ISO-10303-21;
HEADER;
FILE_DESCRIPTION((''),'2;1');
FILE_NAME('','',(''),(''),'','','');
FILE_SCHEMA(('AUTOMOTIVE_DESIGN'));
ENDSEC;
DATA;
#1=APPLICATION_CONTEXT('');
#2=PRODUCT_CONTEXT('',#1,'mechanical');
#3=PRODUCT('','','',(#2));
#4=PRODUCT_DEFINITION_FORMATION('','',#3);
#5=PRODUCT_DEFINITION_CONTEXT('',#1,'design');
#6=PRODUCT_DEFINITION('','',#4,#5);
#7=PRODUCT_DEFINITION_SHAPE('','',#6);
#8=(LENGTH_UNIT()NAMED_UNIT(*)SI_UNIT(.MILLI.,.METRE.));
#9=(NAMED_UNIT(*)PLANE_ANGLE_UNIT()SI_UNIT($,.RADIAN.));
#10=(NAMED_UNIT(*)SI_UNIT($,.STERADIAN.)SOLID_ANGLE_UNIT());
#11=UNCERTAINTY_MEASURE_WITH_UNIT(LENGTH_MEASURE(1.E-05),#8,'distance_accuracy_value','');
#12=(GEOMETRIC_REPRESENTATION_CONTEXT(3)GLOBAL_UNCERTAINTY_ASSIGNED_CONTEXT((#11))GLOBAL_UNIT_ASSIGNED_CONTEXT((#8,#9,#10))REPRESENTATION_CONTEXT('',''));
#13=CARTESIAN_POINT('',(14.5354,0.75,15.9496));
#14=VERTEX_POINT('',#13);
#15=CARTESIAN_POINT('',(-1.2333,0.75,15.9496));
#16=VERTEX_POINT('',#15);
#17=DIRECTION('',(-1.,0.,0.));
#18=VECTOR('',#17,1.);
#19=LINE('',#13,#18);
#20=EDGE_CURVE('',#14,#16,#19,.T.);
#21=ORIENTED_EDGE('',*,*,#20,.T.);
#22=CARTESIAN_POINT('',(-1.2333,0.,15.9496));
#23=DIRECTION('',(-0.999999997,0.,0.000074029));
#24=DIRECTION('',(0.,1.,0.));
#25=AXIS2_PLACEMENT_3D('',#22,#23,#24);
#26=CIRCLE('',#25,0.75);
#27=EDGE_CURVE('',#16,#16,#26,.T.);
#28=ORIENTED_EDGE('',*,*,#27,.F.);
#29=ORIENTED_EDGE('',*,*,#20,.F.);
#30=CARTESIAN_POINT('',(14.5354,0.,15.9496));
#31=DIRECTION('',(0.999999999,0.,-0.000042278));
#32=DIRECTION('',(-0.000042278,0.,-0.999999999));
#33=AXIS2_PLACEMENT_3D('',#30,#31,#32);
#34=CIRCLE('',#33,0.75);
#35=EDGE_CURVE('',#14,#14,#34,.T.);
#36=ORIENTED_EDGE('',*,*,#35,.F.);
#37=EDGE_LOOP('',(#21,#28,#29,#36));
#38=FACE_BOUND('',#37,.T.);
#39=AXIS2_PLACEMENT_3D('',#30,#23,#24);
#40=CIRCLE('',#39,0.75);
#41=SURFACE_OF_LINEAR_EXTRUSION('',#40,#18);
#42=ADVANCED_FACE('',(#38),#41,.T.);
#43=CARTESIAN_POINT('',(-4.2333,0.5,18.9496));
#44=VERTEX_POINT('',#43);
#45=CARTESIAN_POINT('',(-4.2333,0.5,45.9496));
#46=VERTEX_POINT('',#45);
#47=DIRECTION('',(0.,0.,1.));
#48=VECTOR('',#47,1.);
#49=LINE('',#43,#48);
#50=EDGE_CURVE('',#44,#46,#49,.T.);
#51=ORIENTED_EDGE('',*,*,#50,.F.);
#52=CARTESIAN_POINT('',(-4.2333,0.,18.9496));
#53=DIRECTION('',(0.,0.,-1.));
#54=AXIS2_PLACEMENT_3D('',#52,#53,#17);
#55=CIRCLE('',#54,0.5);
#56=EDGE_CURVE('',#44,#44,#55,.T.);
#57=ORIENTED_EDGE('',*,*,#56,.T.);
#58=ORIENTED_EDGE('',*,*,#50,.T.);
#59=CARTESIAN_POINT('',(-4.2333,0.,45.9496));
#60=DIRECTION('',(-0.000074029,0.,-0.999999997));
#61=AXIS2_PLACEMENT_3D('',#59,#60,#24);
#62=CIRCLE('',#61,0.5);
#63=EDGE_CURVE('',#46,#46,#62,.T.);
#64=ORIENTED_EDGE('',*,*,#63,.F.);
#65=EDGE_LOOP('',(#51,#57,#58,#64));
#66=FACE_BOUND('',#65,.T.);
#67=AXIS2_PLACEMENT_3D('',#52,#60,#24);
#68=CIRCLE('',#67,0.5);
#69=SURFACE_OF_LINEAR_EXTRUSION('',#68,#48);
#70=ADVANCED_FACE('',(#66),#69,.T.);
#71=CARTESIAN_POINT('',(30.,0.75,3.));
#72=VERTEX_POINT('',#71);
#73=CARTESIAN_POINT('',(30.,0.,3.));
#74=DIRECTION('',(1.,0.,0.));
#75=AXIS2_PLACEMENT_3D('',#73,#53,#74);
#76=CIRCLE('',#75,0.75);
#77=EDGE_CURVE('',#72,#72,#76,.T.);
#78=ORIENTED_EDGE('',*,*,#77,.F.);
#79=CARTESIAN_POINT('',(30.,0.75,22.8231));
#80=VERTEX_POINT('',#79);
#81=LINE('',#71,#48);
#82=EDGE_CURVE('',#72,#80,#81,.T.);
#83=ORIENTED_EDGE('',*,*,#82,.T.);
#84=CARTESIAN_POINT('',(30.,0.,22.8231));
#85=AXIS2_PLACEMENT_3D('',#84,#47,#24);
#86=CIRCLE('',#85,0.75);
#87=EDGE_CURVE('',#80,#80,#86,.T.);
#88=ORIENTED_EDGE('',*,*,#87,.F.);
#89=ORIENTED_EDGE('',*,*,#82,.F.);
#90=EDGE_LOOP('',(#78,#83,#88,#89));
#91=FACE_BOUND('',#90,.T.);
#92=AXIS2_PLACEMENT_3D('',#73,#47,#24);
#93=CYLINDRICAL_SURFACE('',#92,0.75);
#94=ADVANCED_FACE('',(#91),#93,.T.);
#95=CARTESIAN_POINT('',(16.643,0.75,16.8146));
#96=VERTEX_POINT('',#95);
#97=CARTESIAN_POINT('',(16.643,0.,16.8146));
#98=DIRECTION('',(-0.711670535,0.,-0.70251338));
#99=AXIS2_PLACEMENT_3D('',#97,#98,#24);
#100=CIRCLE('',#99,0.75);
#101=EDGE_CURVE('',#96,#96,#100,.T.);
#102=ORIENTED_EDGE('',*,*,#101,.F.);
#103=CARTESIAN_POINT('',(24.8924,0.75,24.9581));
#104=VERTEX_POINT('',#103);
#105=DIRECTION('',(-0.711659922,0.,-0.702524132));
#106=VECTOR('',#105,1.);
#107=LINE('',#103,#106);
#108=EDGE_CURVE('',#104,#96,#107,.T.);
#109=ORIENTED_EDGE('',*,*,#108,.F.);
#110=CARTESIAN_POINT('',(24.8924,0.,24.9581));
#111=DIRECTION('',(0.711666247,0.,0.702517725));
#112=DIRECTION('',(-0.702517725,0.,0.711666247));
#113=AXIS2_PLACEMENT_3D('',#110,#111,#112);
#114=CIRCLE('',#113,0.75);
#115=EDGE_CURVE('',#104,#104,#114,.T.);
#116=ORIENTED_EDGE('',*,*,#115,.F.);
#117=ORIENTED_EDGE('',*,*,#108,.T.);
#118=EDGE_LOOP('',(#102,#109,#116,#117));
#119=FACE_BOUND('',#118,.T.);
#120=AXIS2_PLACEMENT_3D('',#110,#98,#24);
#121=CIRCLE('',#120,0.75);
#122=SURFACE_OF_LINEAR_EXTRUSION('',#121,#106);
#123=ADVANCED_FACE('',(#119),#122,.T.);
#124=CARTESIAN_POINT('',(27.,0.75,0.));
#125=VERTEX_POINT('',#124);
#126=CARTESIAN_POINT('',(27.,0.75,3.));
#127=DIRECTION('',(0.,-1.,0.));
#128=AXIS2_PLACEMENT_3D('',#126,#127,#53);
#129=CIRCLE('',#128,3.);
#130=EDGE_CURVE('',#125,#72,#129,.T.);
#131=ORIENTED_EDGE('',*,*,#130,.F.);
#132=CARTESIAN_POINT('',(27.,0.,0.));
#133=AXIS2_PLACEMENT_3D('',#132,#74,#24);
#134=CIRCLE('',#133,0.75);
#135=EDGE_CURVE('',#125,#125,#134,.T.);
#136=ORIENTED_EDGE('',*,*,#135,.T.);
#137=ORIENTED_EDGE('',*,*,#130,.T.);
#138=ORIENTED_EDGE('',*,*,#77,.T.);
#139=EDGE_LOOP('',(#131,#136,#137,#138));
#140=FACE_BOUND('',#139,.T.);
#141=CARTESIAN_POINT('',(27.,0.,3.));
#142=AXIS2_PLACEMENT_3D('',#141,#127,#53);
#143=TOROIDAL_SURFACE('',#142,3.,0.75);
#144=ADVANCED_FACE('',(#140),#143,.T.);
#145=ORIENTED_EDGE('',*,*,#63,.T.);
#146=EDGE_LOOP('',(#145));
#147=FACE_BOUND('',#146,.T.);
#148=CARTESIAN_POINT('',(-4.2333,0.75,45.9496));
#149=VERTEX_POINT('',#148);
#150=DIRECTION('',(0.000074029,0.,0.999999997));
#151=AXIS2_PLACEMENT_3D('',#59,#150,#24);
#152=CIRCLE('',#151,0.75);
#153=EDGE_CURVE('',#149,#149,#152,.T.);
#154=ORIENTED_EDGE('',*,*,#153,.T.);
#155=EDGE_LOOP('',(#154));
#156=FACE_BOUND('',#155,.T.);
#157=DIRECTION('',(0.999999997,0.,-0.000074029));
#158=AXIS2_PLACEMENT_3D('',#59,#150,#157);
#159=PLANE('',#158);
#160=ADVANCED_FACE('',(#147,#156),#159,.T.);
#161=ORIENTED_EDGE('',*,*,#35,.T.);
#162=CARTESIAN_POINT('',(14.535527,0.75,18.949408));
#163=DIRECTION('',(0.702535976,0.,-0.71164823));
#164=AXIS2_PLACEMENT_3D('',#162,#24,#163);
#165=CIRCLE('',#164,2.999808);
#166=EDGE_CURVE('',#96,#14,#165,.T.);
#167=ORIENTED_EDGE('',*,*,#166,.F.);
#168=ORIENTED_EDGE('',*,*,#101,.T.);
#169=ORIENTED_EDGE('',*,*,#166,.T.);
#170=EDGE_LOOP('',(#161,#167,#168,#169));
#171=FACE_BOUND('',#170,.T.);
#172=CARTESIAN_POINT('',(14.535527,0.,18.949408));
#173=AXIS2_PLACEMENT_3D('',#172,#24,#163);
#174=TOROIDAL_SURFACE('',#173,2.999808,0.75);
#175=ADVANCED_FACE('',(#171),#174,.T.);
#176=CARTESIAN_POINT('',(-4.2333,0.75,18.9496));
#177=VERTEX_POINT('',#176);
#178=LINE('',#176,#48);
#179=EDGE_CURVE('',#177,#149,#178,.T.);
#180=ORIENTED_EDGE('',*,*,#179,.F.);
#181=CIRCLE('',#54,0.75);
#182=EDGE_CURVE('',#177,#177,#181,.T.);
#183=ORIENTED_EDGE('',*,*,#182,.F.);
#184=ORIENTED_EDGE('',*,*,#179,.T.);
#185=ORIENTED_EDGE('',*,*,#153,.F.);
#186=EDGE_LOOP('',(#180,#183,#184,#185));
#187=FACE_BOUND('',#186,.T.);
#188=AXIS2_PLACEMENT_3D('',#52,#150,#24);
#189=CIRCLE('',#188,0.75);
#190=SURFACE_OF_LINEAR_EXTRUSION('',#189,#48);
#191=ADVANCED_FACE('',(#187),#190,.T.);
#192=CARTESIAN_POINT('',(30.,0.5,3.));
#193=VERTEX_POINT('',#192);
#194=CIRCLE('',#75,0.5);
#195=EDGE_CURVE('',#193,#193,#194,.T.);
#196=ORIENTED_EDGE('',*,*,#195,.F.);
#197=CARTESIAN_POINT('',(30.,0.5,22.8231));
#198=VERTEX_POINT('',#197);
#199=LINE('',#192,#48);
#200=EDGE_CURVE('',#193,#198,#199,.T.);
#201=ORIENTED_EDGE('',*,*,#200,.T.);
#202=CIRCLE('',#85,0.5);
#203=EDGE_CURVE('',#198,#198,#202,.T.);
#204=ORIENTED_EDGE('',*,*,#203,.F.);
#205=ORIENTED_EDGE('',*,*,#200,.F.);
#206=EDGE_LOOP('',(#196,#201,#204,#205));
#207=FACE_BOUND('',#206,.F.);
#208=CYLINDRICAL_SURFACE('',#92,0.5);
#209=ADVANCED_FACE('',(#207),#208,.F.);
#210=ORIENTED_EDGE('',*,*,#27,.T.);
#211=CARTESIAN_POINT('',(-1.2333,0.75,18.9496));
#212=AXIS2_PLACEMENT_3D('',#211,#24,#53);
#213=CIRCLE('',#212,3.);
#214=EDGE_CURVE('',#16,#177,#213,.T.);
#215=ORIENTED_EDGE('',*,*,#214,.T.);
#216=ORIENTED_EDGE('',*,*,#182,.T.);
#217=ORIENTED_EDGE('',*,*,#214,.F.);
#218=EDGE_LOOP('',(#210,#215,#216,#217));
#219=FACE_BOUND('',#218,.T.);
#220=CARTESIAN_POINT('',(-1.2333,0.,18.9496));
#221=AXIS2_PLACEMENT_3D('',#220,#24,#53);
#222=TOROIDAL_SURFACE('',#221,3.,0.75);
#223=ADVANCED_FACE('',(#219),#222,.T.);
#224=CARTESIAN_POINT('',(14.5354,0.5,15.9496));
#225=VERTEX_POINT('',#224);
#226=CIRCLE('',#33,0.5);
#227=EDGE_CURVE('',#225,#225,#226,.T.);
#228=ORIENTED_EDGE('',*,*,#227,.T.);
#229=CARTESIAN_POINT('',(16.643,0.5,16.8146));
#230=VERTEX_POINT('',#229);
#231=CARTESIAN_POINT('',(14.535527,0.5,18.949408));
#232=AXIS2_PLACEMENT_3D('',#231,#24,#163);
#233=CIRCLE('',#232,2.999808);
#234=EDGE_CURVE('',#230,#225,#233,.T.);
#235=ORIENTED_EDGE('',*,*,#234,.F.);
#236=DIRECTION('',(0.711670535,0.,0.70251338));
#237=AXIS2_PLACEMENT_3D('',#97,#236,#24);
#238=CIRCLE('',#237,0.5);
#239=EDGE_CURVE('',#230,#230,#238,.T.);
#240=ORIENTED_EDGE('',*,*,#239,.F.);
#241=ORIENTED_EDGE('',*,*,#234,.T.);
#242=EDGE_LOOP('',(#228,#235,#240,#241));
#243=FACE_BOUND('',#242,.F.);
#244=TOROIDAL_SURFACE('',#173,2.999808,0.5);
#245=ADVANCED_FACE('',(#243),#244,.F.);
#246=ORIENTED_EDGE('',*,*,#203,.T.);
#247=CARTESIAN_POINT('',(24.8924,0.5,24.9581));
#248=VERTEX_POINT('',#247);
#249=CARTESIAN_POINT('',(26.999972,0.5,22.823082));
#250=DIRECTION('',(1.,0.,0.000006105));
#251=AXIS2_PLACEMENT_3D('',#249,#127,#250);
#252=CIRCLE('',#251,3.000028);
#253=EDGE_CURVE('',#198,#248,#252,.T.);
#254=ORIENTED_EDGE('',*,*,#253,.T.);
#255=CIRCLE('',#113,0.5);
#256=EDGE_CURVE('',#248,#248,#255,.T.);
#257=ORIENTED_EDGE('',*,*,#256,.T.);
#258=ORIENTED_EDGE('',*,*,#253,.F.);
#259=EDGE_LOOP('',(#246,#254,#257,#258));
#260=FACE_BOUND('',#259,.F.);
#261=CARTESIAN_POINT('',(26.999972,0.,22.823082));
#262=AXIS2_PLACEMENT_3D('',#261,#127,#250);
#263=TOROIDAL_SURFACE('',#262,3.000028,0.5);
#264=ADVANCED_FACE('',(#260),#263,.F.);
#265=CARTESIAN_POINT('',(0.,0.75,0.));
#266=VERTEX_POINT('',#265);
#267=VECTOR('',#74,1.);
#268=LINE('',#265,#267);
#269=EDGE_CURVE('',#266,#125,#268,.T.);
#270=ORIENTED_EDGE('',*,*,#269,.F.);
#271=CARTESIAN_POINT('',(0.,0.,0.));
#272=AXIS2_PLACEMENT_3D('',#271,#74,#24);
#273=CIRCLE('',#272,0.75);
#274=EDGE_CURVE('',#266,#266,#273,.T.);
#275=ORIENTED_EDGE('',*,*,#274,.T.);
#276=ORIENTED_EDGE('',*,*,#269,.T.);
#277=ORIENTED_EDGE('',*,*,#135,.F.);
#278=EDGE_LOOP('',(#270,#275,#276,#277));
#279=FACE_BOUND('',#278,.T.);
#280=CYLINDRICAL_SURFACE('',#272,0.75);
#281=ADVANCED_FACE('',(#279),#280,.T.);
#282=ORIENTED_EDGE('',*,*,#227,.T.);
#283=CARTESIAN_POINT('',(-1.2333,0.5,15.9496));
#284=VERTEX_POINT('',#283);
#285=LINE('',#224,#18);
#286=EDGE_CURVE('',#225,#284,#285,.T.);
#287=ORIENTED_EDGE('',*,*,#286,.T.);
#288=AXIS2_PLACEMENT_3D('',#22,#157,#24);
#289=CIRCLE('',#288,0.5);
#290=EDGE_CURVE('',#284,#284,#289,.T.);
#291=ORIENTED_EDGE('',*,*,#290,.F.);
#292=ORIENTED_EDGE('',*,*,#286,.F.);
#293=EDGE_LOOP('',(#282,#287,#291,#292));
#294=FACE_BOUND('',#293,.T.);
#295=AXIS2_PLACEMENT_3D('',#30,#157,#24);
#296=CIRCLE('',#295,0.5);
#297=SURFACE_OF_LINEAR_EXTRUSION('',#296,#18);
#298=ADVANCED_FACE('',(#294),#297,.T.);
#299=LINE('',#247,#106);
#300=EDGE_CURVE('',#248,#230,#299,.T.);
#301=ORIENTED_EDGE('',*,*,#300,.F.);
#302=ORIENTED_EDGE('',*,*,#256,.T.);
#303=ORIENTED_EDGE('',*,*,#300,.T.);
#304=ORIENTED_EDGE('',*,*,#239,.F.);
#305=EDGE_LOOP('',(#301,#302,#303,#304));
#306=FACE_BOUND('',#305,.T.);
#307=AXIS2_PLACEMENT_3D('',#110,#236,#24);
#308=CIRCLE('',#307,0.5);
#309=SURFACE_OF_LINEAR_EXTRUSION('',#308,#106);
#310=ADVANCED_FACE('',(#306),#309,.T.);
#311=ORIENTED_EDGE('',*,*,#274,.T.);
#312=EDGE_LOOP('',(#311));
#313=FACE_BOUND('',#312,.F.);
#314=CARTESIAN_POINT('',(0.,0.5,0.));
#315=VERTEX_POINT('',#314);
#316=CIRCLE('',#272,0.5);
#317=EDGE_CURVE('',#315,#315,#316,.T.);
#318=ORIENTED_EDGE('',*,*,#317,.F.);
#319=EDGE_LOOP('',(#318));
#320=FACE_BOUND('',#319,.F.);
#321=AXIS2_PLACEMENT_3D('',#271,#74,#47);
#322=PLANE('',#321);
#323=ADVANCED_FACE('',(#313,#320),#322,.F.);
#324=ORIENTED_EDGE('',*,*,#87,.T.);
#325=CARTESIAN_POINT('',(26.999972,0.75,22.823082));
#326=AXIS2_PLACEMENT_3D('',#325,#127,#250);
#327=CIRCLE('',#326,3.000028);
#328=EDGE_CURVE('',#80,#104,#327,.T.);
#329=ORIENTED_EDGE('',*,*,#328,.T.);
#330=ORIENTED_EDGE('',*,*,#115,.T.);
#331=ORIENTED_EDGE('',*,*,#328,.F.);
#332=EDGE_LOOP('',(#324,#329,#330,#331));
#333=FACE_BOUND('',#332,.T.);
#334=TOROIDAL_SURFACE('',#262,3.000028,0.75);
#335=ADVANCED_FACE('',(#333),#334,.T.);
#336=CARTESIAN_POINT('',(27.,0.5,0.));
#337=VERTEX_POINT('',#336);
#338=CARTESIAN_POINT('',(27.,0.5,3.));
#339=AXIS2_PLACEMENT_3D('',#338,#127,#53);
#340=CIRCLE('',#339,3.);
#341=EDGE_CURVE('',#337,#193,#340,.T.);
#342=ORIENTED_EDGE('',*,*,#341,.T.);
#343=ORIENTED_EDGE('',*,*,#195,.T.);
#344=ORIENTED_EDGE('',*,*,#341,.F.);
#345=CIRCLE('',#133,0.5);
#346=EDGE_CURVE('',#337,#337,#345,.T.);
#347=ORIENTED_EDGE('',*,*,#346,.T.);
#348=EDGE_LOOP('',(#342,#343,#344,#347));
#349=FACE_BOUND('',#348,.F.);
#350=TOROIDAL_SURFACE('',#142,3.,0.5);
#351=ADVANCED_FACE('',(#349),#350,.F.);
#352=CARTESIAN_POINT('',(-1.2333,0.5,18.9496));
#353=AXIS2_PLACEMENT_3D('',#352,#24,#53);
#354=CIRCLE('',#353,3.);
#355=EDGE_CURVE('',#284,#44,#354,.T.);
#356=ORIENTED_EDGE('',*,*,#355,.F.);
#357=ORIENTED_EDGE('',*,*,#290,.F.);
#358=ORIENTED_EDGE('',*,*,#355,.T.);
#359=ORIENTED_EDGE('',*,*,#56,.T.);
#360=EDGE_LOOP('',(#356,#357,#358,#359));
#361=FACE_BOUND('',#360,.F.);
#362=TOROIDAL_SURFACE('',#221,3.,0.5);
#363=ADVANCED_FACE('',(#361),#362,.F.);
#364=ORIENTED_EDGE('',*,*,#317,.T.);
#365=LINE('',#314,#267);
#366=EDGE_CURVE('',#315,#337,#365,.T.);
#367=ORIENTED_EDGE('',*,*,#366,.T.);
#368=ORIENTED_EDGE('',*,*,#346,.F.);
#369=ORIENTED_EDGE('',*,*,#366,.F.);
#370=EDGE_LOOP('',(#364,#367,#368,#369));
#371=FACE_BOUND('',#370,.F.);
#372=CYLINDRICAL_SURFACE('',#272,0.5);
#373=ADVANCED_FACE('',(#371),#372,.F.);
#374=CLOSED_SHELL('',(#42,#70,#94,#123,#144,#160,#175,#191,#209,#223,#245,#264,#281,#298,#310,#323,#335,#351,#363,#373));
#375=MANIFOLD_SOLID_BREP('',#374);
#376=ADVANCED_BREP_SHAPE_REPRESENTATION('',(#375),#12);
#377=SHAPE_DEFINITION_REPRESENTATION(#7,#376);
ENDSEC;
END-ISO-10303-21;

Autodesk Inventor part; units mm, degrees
ref_plane "YZ Plane" through (0, 0, 0) normal (1, 0, 0) x (0, 1, 0)
ref_plane "XZ Plane" through (0, 0, 0) normal (0, 1, 0) x (-1, 0, 0)
ref_plane "Plano de trabalho1" through (0, -0.1328, 0) normal (1, 0, 0) x (0, 1, 0)
sketch "Esboço1" plane through (0, -0.1328, 0) normal (1, 0, 0) x (0, 1, 0)
  circle A0 centre (0.1328, 0) radius 0.5
  circle A1 centre (0.1328, 0) radius 0.75
  dimension "d9" = 1
  dimension "d10" = 1.5
sketch3d "Esboço 3D1"
  line L0 (0, -0.1328, 0) -> (27, -0.1328, 0)
  arc A0 (27, -0.1328, 0) -> (30, -0.1328, 3) centre (27, -0.1328, 3) ccw
  line L1 (30, -0.1328, 3) -> (30, -0.1328, 22.8231)
  arc A1 (30, -0.1328, 22.8231) -> (24.8924, -0.1328, 24.9581) centre (27, -0.1328, 22.8231) ccw
  line L2 (24.8924, -0.1328, 24.9581) -> (16.643, -0.1328, 16.8146)
  arc A2 (16.643, -0.1328, 16.8146) -> (14.5354, -0.1328, 15.9496) centre (14.5354, -0.1328, 18.9496) ccw
  line L3 (14.5354, -0.1328, 15.9496) -> (-1.2333, -0.1328, 15.9496)
  arc A3 (-1.2333, -0.1328, 15.9496) -> (-4.2333, -0.1328, 18.9496) centre (-1.2333, -0.1328, 18.9496) ccw
  line L4 (-4.2333, -0.1328, 18.9496) -> (-4.2333, -0.1328, 45.9496)
  dimension "d0" = 30
  dimension "d1" = 30
  dimension "d2" = 20
  dimension "d3" = 20
  dimension "d4" = 30
  dimension "d5" = 3
  dimension "d6" = 3
  dimension "d7" = 3
  dimension "d8" = 3
sweep "Varredura1" add profiles "Esboço1" path "Esboço 3D1"
equation "\"d6\" = d5"
equation "\"d7\" = d5"
equation "\"d8\" = d5"
properties part number "Tubo"
